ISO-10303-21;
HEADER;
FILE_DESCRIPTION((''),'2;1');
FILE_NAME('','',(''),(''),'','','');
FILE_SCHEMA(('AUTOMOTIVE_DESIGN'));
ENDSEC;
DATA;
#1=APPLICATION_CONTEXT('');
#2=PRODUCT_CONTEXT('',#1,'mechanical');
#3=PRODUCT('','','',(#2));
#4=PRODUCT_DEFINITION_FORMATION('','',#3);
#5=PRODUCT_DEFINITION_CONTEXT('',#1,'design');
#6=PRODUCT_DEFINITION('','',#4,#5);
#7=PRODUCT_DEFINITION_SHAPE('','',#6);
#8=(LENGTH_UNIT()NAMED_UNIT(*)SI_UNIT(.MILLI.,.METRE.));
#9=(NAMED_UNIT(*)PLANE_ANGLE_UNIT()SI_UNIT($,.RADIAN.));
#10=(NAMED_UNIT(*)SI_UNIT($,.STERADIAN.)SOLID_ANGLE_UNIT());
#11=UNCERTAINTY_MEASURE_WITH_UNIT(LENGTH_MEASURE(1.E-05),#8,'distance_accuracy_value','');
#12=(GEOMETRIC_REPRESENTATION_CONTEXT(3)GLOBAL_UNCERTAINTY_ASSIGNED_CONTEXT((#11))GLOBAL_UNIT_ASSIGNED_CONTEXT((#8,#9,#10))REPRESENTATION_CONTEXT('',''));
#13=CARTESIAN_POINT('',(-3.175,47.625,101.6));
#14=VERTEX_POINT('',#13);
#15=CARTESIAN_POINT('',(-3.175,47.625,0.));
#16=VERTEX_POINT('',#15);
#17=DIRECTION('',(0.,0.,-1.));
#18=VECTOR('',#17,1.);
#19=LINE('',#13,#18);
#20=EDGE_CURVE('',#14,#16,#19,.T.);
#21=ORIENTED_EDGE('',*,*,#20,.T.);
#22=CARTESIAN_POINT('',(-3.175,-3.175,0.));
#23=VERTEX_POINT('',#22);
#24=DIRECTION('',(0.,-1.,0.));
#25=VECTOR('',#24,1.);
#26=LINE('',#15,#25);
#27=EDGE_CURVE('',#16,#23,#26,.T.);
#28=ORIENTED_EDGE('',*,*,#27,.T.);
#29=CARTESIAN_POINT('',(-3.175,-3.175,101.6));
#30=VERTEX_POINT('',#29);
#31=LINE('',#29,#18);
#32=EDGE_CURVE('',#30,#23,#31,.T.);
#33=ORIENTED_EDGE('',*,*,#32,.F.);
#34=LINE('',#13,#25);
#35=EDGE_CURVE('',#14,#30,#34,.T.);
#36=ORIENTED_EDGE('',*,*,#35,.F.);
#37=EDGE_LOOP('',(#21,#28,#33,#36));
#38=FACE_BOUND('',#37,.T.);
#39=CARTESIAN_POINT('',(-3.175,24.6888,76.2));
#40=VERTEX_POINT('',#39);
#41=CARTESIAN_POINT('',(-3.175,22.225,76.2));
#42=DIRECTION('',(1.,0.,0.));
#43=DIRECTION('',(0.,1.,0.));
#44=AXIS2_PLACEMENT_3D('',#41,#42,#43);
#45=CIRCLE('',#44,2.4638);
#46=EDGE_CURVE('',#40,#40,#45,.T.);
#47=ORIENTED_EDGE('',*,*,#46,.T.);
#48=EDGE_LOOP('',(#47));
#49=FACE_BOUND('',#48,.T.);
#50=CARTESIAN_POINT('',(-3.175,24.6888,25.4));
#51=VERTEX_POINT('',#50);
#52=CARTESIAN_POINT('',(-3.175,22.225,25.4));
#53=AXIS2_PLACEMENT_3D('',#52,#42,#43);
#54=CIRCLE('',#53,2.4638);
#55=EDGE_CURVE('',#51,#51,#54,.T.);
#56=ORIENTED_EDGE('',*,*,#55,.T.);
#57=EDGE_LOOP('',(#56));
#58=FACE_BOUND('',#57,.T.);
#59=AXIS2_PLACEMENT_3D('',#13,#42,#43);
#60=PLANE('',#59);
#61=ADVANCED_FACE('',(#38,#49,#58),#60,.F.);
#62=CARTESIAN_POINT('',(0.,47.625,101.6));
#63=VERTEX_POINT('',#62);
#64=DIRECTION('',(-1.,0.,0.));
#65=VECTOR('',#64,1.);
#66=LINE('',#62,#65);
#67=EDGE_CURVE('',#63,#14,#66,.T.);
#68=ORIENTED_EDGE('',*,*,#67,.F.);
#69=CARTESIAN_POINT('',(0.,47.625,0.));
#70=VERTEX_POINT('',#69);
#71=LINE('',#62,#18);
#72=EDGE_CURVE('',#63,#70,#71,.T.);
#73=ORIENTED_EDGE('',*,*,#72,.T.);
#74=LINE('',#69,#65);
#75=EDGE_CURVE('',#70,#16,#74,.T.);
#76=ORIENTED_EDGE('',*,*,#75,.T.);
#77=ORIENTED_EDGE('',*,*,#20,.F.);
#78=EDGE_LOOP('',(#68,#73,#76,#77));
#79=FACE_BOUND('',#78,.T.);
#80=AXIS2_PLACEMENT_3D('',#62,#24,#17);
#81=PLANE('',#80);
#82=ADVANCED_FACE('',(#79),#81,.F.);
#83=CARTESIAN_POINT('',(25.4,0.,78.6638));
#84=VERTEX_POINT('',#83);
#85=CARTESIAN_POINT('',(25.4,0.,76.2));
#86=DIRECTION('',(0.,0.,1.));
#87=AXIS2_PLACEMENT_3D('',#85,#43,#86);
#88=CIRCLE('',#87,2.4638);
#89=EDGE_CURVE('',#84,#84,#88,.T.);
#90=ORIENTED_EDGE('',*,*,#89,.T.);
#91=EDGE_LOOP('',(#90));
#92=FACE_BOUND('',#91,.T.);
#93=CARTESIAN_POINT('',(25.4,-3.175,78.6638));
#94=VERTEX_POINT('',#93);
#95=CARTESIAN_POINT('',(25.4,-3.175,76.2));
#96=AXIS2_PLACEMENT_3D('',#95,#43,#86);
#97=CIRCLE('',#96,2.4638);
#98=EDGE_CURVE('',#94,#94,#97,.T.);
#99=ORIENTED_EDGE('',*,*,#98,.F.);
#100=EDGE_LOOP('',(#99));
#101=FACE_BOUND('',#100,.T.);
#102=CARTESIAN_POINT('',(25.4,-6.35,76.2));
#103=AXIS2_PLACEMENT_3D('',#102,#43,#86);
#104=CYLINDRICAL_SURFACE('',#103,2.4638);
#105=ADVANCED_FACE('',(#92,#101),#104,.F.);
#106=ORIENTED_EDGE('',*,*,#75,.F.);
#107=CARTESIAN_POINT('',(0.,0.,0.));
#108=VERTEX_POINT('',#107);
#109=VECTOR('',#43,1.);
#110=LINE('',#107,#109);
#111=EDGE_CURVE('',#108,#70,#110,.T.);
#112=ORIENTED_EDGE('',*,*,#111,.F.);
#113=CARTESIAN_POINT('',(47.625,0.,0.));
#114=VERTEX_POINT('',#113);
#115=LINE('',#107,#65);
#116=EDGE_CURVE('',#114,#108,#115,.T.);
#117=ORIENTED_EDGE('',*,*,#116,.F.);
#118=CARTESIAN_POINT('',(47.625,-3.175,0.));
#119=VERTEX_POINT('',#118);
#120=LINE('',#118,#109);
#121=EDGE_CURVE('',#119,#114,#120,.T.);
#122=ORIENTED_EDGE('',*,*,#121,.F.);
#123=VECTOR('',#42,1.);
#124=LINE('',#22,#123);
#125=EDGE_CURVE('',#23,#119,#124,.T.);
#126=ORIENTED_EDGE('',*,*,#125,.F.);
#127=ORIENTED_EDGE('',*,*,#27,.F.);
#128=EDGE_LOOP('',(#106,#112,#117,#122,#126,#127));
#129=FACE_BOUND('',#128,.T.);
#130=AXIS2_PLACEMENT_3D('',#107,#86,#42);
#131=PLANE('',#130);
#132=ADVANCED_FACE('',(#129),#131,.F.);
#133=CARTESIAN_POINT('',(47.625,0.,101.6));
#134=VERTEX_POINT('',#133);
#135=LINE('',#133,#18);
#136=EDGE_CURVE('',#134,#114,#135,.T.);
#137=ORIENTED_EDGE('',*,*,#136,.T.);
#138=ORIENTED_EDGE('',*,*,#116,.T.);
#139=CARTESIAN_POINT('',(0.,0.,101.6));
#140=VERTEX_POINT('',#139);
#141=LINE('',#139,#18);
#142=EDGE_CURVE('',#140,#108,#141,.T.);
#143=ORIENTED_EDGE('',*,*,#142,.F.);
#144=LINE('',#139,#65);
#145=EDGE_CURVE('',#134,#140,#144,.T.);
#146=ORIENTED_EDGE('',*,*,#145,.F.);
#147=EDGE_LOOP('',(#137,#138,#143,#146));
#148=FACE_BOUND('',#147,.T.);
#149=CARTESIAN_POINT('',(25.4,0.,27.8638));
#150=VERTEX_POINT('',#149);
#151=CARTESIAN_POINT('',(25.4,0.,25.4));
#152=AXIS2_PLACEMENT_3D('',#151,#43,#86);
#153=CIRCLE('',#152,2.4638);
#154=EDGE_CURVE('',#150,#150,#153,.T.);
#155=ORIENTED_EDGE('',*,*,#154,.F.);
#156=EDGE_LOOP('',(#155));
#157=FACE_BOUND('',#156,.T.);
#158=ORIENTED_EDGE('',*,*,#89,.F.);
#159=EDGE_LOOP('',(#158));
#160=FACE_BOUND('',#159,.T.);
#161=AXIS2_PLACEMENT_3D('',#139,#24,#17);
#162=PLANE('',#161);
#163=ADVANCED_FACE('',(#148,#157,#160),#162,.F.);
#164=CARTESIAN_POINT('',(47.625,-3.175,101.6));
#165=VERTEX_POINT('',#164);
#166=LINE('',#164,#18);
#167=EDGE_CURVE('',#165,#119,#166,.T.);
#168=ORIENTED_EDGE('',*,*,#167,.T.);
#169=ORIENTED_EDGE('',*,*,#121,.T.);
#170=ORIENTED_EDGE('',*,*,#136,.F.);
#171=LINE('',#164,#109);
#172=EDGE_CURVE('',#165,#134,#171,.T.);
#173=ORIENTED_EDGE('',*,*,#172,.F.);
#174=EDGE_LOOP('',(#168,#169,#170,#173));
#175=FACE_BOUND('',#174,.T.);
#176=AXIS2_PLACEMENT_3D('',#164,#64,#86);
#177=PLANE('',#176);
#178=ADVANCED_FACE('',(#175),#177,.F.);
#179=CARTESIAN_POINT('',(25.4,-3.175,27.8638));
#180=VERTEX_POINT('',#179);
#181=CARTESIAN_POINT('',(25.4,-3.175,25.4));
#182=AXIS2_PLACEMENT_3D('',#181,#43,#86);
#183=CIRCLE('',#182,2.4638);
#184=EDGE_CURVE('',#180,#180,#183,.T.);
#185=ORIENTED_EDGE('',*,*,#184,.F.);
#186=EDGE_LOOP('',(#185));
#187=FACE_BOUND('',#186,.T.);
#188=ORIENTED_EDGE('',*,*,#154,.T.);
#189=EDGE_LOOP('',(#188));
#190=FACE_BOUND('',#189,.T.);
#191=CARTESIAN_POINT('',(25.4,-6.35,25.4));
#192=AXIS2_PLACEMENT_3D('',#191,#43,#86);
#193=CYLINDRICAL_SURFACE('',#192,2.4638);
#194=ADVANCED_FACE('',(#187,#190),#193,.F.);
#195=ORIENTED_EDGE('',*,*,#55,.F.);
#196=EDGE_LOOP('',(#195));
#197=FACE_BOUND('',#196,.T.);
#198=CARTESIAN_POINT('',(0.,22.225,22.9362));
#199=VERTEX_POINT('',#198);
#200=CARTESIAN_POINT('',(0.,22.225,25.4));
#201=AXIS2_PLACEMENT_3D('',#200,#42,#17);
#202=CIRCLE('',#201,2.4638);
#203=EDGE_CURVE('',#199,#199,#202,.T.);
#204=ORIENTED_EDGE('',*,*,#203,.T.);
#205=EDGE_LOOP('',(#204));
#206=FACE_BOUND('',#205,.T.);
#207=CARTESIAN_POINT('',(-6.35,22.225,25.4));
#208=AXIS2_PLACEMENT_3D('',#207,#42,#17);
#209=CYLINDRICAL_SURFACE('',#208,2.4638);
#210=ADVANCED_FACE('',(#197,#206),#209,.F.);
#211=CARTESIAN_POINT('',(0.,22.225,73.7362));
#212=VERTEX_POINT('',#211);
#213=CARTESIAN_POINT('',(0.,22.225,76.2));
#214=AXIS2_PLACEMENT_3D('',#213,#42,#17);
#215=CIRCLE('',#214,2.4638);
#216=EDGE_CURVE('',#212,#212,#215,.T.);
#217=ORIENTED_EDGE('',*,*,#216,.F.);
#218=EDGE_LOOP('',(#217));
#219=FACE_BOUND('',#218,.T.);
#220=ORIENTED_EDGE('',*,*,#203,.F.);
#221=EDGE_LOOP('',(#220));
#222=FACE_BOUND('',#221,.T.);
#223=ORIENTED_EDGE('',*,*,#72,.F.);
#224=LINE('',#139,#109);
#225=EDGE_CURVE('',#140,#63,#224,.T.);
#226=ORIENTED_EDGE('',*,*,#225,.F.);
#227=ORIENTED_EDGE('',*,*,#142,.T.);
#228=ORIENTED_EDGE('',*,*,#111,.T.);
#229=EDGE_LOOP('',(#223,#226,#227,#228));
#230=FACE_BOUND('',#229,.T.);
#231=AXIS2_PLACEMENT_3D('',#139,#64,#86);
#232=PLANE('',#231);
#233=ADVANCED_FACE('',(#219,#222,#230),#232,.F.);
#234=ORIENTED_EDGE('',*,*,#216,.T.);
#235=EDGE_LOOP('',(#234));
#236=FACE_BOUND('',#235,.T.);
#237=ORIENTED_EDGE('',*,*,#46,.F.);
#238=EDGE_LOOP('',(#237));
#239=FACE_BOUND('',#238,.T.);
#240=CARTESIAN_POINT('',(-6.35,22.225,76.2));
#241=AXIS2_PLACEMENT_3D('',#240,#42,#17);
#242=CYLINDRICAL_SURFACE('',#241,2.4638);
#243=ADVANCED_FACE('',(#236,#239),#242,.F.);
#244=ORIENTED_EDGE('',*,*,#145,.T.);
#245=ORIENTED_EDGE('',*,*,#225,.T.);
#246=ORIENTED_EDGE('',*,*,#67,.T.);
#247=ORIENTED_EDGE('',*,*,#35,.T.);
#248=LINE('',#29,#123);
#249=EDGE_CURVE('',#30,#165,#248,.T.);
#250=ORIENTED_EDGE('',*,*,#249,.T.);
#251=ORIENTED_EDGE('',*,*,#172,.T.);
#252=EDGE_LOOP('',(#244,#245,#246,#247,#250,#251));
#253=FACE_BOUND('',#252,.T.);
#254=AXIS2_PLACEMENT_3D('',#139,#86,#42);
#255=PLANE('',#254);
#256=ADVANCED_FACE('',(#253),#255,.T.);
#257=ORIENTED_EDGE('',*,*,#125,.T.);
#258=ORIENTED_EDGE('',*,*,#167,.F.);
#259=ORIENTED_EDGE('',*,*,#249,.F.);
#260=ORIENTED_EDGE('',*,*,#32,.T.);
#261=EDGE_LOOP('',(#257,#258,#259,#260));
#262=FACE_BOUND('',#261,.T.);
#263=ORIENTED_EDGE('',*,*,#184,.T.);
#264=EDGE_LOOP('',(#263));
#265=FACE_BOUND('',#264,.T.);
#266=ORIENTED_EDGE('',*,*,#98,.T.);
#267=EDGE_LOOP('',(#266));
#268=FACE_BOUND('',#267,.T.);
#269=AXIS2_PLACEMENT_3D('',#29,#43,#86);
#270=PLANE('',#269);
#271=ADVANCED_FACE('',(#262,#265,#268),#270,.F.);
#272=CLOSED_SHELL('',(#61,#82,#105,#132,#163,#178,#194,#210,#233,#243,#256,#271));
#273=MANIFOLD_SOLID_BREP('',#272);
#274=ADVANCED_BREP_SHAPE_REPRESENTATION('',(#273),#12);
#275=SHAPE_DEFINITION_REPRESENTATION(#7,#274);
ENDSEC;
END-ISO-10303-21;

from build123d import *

# Parameters (mm, degrees)
BOSS_EXTRUDE1_DEPTH = 101.6
SKETCH2_R           = 2.4638
CUT_EXTRUDE1_DEPTH  = 6.35
SKETCH3_R           = 2.4638
CUT_EXTRUDE2_DEPTH  = 6.35


with BuildPart() as part:
    # Sketch1 → Boss-Extrude1 (new body)
    with BuildSketch(Plane.XY):
        Polygon((0, 0), (0, 47.625), (-3.175, 47.625), (-3.175, -3.175), (47.625, -3.175), (47.625, 0), align=None)
    extrude(amount=BOSS_EXTRUDE1_DEPTH)

    # Sketch2 → Cut-Extrude1 (cut)
    with BuildSketch(Plane(origin=(0, 0, 0), x_dir=(1, 0, 0), z_dir=(0, 1, 0))):
        with Locations((25.4, -76.2)):
            Circle(SKETCH2_R)
        with Locations((25.4, -25.4)):
            Circle(SKETCH2_R)
    extrude(amount=-CUT_EXTRUDE1_DEPTH, mode=Mode.SUBTRACT)

    # Sketch3 → Cut-Extrude2 (cut)
    with BuildSketch(Plane(origin=(0, 0, 0), x_dir=(0, 0, -1), z_dir=(1, 0, 0))):
        with Locations((-25.4, 22.225)):
            Circle(SKETCH3_R)
        with Locations((-76.2, 22.225)):
            Circle(SKETCH3_R)
    extrude(amount=-CUT_EXTRUDE2_DEPTH, mode=Mode.SUBTRACT)


solid = part.part
